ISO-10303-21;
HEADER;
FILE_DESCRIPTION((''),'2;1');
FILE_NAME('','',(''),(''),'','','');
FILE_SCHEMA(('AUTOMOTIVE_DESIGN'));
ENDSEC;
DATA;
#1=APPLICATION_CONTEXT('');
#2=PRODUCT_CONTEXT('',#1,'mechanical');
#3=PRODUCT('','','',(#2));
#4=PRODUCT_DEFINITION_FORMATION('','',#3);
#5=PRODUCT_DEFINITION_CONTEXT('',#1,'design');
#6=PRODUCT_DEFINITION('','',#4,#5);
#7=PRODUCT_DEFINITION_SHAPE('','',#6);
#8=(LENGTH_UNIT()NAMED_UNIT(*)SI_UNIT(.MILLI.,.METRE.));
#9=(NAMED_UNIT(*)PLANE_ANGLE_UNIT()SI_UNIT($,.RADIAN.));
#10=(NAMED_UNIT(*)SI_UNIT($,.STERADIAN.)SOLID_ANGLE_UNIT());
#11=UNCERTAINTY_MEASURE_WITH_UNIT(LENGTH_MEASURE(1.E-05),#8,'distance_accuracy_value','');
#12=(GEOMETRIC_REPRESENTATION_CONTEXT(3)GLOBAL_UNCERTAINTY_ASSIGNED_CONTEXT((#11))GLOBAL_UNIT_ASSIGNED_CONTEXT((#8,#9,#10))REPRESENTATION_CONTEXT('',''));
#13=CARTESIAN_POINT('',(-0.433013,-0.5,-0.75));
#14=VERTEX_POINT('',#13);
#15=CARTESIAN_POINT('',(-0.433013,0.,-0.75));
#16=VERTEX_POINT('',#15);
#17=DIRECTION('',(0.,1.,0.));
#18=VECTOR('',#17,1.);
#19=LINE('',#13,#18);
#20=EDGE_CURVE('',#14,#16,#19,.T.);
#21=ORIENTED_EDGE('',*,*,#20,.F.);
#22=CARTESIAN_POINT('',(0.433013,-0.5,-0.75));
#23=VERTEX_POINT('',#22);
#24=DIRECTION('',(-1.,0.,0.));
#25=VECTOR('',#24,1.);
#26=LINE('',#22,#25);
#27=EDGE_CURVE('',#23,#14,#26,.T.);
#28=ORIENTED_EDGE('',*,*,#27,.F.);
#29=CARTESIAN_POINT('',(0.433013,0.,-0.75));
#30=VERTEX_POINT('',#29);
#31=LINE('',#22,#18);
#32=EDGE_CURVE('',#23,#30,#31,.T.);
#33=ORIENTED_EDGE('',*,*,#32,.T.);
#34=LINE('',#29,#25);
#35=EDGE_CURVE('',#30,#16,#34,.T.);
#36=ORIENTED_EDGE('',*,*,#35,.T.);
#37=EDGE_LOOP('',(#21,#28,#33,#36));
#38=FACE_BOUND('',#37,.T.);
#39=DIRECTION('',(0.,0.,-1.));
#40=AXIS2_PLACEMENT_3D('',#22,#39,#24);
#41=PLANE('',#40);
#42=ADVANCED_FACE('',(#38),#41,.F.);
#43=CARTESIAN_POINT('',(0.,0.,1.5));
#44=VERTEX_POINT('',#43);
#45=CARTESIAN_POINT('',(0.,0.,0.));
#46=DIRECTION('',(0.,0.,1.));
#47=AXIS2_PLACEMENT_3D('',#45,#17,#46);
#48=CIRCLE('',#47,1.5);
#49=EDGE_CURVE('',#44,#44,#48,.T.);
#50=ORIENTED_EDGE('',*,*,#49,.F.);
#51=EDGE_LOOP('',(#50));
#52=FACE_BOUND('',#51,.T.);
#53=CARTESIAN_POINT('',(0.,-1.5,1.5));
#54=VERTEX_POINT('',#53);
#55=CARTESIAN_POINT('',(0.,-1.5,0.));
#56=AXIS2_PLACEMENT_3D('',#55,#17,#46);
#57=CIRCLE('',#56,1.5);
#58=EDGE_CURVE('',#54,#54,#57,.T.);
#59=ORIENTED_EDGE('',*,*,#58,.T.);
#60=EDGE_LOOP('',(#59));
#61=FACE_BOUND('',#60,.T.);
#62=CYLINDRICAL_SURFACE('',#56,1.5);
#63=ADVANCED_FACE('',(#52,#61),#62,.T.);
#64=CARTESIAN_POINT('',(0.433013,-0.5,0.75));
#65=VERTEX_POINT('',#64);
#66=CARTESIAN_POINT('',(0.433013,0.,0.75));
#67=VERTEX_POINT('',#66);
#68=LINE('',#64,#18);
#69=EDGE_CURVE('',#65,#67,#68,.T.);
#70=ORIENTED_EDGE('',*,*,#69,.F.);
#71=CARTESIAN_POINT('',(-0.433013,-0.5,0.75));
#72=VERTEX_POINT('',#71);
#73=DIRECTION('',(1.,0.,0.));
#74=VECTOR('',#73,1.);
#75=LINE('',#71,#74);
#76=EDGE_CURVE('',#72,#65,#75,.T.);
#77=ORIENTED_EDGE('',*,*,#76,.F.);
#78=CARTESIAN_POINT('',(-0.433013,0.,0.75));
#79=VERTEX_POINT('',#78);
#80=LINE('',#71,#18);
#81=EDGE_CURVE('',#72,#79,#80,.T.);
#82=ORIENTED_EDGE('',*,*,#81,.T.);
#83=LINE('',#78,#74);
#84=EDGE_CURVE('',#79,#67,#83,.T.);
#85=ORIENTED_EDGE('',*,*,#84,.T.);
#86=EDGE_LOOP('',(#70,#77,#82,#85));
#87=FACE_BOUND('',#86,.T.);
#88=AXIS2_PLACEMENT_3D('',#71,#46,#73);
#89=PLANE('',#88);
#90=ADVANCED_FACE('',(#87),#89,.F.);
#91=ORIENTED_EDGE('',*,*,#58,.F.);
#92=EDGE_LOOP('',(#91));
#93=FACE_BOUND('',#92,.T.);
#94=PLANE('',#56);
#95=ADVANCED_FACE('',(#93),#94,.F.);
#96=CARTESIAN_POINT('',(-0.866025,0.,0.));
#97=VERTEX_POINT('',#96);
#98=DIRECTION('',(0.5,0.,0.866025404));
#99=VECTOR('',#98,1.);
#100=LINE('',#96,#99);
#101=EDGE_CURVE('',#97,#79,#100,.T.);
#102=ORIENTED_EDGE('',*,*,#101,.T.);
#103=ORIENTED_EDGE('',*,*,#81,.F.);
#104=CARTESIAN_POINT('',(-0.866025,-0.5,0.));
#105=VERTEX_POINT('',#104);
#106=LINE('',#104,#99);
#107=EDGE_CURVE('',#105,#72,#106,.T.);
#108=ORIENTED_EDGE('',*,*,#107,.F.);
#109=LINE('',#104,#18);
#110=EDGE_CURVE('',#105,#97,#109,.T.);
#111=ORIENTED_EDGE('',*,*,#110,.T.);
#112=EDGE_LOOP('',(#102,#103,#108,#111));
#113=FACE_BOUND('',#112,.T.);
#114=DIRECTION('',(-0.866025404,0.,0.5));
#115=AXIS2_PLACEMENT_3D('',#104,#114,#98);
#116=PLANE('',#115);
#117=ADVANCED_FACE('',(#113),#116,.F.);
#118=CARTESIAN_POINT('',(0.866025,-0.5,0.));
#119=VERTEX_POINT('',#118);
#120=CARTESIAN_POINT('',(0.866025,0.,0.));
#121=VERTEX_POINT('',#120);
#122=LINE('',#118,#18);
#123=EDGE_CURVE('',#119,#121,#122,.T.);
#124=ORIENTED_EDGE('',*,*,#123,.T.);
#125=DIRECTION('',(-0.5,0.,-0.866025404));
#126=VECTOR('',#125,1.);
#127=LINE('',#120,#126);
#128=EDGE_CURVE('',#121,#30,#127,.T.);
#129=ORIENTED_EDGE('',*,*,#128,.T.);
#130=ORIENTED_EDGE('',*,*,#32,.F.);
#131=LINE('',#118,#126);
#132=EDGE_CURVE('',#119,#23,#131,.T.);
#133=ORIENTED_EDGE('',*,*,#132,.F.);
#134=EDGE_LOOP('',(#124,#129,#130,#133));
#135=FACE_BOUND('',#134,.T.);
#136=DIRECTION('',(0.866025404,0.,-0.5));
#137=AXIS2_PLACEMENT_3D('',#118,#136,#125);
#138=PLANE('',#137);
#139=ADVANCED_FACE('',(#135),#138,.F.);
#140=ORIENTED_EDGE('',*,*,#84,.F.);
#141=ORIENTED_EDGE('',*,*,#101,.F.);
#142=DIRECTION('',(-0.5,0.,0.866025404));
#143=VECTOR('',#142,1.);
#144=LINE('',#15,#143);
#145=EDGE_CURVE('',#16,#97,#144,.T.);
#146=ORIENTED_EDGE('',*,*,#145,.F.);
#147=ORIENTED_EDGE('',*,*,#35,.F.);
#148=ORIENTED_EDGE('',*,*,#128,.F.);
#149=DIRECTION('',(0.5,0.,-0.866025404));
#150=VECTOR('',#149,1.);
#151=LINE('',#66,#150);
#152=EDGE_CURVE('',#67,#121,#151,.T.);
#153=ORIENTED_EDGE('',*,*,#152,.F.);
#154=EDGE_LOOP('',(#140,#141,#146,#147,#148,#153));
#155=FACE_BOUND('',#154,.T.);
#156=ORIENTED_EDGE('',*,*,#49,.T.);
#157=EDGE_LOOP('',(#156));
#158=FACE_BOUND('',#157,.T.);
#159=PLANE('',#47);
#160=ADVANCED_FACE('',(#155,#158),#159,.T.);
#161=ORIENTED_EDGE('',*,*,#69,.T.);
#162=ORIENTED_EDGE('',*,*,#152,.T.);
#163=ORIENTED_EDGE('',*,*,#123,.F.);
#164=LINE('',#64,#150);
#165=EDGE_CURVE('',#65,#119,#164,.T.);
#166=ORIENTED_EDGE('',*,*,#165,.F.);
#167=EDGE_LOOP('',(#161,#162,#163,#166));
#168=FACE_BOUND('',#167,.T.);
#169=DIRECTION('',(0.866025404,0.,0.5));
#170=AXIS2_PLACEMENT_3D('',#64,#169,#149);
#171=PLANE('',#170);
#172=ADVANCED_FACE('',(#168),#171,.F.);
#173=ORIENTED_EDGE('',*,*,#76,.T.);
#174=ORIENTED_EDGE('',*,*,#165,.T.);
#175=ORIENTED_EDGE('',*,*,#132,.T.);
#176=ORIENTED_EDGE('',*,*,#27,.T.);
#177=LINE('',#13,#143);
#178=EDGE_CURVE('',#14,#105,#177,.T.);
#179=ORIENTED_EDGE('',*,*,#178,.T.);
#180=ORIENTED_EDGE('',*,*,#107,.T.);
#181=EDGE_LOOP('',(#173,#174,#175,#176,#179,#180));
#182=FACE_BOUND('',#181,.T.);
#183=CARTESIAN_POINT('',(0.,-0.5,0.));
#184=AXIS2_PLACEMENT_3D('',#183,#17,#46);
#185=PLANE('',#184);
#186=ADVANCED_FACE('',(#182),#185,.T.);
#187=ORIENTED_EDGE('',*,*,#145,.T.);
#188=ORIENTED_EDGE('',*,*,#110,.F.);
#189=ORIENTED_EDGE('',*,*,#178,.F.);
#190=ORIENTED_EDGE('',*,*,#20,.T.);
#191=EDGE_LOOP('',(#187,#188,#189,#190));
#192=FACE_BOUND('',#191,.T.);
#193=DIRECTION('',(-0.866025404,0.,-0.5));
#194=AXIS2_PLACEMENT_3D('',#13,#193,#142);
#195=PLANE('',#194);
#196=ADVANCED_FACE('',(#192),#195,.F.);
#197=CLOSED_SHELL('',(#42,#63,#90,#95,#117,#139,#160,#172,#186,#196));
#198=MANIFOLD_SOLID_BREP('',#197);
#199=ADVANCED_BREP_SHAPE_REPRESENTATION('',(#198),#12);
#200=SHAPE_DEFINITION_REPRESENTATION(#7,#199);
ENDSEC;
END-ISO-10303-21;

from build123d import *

# Parameters (mm, degrees)
SKETCH_1_R          = 1.5
EXTRUDE_1_DEPTH     = 1.5
CUT_EXTRUDE_1_DEPTH = 0.5


with BuildPart() as part:
    # 草图1 → 凸台-拉伸1 (new body)
    with BuildSketch(Plane(origin=(0, 0, 0), x_dir=(1, 0, 0), z_dir=(0, 1, 0))):
        with Locations(Location((0, 0, 0), (0, 0, 270))):
            Circle(SKETCH_1_R)
    extrude(amount=-EXTRUDE_1_DEPTH)

    # 草图2 → 切除-拉伸1 (cut)
    with BuildSketch(Plane(origin=(0, 0, 0), x_dir=(1, 0, 0), z_dir=(0, 1, 0))):
        Polygon((0.433012702, -0.75), (0.866025404, 0), (0.433012702, 0.75), (-0.433012702, 0.75), (-0.866025404, 0), (-0.433012702, -0.75), align=None)
    extrude(amount=-CUT_EXTRUDE_1_DEPTH, mode=Mode.SUBTRACT)


solid = part.part
